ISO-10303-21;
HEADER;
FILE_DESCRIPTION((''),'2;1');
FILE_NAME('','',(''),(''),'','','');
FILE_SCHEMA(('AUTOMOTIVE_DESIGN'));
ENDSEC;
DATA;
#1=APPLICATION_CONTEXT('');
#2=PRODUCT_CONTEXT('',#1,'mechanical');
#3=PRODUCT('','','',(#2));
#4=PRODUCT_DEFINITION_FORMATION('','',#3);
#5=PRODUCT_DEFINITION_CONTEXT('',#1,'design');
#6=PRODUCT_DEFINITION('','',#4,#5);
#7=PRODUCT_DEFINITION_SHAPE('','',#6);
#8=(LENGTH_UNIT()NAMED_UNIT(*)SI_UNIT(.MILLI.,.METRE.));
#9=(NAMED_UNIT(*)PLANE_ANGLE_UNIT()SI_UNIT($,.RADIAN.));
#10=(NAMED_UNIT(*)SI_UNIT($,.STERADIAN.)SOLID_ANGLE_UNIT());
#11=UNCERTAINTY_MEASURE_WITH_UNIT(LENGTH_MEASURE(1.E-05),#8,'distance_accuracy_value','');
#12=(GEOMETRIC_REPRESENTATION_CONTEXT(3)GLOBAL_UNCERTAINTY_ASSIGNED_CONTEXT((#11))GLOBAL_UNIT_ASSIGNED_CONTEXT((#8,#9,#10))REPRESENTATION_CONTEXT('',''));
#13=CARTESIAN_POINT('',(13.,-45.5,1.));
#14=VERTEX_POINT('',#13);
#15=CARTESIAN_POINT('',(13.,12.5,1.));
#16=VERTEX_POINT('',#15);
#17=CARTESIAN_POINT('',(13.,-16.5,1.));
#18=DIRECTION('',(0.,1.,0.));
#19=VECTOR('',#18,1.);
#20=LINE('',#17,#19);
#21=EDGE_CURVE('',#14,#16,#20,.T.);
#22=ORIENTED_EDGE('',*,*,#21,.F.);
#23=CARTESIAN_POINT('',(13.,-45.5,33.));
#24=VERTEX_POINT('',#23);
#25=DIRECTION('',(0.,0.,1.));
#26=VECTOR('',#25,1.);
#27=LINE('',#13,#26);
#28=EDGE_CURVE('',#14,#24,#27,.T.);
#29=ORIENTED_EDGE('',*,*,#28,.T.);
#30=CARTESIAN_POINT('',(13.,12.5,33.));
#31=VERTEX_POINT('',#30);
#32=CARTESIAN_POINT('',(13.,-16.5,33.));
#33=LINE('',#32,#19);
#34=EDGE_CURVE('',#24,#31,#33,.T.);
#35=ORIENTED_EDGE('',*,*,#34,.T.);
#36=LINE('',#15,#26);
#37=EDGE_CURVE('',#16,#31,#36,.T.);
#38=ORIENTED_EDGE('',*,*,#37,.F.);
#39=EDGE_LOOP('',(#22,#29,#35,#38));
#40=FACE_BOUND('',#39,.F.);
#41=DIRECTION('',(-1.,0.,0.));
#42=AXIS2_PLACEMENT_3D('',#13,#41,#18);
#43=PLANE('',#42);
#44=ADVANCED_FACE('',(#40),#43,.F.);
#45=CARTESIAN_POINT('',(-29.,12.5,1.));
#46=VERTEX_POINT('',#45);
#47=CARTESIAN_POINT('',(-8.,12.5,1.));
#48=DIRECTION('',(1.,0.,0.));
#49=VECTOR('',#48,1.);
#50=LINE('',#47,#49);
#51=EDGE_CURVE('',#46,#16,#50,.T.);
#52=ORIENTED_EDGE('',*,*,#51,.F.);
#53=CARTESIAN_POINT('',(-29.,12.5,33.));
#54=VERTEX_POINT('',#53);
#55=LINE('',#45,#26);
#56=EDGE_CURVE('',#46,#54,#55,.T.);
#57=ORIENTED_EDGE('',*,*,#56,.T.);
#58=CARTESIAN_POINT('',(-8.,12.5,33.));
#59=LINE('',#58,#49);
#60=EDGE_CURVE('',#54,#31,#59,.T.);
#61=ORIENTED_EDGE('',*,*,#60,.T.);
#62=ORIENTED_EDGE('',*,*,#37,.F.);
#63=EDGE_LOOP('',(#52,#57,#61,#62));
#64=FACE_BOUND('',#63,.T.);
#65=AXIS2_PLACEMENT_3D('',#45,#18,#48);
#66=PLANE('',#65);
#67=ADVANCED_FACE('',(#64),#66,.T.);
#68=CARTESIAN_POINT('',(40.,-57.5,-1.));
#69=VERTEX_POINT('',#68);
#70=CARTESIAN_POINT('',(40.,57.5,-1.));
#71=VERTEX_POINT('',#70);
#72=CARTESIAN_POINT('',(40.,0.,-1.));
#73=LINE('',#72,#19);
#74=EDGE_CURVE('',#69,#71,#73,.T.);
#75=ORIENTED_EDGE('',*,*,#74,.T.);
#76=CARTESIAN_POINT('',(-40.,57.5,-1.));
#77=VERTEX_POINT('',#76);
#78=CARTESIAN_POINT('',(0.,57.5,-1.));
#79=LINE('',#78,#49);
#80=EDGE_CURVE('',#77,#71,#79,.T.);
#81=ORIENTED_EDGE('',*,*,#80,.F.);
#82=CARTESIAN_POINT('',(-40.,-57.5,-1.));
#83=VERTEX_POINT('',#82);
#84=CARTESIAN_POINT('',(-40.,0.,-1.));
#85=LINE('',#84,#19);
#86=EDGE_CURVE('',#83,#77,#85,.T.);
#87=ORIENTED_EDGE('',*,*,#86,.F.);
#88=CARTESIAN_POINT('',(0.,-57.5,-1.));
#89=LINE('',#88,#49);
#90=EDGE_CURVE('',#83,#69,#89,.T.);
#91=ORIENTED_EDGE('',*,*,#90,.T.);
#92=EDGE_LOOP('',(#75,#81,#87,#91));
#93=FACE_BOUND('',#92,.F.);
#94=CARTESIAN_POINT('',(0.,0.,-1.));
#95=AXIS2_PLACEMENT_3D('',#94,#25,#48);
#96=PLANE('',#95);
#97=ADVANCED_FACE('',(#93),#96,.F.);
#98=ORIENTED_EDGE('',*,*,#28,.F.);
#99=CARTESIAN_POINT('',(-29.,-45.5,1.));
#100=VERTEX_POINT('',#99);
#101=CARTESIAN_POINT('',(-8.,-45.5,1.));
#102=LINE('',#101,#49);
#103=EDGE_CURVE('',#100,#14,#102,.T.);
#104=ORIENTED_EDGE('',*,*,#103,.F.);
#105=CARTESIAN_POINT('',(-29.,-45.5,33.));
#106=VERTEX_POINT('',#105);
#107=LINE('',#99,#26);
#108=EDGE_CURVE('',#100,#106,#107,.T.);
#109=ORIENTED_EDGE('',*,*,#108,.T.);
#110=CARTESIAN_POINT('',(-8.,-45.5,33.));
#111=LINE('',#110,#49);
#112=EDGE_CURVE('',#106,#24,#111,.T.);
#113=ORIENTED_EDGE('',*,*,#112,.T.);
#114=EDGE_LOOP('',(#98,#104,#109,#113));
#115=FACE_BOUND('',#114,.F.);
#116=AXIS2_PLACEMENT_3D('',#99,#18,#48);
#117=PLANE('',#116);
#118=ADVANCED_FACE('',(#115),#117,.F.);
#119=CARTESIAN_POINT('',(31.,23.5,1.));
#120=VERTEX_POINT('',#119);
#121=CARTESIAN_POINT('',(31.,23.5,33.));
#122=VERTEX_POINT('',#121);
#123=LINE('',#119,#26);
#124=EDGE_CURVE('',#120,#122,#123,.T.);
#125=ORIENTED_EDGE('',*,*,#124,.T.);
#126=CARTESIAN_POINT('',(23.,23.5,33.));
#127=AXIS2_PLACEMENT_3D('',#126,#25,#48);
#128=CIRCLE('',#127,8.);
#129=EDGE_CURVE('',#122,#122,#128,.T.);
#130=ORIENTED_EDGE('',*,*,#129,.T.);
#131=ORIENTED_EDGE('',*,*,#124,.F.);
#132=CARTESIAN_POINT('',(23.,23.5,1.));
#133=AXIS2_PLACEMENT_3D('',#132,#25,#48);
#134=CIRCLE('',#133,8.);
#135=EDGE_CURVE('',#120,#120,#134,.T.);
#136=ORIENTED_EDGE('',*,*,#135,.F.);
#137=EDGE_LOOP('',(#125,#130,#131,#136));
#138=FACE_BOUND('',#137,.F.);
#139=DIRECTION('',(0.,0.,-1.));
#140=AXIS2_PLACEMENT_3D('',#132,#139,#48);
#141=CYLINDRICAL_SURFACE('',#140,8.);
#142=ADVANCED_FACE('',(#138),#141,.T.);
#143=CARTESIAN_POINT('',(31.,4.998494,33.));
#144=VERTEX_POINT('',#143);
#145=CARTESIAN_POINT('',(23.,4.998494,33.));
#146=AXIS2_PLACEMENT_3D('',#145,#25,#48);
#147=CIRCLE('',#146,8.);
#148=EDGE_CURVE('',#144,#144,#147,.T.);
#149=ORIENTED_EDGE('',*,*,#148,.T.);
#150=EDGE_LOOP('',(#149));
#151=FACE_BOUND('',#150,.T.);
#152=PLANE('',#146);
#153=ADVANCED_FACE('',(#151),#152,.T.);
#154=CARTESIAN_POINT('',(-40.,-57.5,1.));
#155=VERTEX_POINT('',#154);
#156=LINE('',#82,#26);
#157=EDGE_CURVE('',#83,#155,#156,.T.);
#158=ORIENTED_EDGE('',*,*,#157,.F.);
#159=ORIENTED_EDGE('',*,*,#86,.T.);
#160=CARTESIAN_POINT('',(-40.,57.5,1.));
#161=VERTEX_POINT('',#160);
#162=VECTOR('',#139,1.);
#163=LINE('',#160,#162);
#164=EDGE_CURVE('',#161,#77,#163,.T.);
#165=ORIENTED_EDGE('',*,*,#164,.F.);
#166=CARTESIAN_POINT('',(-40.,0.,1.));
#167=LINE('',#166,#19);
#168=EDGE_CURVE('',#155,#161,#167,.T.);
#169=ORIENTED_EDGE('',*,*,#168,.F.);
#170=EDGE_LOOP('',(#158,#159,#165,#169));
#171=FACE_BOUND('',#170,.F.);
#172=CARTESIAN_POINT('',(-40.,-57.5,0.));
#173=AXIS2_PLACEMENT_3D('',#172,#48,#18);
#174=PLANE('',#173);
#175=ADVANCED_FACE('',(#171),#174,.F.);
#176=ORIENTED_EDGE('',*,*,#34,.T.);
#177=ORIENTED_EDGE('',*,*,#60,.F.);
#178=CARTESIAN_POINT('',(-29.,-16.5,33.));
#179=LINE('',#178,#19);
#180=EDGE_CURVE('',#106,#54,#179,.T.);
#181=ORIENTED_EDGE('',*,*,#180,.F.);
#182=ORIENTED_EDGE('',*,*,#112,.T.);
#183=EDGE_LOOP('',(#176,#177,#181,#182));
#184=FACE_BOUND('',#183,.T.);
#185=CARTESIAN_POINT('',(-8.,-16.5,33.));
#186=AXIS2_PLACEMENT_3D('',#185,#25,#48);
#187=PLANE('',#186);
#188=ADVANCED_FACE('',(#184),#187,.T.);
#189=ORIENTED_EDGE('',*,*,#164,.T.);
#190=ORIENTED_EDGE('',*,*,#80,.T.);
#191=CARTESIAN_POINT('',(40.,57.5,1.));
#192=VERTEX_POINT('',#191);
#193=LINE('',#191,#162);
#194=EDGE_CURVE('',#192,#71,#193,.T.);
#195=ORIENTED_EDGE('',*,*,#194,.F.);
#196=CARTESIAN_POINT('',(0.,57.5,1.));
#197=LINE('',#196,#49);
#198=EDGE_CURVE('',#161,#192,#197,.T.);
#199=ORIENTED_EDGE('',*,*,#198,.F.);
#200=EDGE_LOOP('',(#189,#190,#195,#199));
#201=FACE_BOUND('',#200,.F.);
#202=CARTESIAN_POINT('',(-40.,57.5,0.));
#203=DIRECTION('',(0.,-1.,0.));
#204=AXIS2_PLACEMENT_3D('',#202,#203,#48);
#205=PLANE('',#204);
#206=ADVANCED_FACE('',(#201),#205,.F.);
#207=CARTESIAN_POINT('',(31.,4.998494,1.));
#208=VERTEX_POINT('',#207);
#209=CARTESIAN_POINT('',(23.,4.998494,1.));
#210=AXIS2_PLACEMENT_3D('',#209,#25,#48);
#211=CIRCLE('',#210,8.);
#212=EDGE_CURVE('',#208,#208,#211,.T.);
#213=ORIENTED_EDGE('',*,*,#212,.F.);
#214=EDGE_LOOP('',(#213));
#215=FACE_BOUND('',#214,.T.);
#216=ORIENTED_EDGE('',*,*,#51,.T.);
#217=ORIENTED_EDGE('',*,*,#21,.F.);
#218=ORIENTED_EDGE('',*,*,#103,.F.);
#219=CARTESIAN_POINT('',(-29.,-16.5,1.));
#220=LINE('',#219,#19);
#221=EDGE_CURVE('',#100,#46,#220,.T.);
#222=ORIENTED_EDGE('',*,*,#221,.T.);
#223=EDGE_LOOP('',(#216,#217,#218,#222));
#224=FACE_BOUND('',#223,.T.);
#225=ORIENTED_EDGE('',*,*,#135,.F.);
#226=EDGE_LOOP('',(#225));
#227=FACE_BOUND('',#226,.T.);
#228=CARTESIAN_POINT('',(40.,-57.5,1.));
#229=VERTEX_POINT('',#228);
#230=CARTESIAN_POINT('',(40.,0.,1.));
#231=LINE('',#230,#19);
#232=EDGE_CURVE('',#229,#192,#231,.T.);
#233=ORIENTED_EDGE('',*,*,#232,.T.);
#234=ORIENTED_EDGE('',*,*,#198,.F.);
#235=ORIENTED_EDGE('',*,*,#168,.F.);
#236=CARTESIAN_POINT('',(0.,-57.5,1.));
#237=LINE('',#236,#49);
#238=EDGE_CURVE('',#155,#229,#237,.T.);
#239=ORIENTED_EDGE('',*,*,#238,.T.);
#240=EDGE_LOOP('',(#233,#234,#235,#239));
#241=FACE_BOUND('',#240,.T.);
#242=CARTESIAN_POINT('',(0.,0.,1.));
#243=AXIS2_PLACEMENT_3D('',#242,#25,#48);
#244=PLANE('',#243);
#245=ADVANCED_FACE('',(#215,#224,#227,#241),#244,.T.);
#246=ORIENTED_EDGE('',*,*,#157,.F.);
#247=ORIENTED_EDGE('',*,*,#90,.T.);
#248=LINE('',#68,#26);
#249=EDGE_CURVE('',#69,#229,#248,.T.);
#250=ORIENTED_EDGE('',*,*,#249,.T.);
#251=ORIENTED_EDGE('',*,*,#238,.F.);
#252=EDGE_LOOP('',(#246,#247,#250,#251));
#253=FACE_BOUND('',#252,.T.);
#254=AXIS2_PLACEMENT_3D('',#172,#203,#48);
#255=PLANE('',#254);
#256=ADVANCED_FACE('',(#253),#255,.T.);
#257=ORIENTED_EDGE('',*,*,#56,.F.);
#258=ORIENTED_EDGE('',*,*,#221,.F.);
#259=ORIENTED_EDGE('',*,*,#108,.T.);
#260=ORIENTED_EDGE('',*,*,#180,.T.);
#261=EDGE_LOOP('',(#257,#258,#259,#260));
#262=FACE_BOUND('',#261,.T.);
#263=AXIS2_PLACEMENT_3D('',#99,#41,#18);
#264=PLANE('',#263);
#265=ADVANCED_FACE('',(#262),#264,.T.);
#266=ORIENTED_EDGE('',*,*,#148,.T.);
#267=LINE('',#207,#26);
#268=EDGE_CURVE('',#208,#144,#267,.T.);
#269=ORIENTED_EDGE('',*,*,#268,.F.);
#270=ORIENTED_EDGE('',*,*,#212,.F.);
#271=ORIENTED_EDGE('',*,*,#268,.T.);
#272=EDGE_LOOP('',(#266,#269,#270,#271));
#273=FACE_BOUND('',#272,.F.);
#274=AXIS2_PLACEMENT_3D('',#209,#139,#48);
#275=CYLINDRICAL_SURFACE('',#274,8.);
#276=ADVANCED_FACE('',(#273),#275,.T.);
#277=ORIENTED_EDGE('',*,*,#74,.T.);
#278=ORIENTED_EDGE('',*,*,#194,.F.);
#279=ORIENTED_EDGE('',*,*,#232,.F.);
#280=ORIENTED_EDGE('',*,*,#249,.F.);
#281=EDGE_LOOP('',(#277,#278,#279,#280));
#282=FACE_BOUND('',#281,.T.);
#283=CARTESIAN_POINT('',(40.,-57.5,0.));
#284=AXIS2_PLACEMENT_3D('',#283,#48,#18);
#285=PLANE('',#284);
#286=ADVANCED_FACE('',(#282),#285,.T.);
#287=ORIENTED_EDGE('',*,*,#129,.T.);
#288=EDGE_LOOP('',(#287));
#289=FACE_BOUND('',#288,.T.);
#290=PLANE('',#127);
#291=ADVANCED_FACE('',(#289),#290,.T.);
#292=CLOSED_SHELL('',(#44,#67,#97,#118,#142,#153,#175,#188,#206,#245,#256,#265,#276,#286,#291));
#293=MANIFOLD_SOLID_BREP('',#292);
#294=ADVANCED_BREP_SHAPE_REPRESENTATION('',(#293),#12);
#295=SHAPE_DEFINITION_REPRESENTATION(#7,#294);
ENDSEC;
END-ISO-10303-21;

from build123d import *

# Parameters (mm, degrees)
F0_W     = 80
F0_H     = 115
F1_DEPTH = 1
F2_W     = 42
F2_H     = 58
F2_R     = 8
F3_DEPTH = 32


with BuildPart() as f1:
    # F0 (on Top) → F1 (new body, symmetric)
    with BuildSketch(Plane.XY):
        Rectangle(F0_W, F0_H)
    extrude(amount=F1_DEPTH, both=True)

    # F2 (on face) → F3 (join)
    with BuildSketch(Plane.XY.offset(1)):
        with Locations((-8, -16.5)):
            Rectangle(F2_W, F2_H)
        with Locations((23, 23.5)):
            Circle(F2_R)
        with Locations((23, 4.998494)):
            Circle(F2_R)
    extrude(amount=F3_DEPTH)


solid = f1.part
